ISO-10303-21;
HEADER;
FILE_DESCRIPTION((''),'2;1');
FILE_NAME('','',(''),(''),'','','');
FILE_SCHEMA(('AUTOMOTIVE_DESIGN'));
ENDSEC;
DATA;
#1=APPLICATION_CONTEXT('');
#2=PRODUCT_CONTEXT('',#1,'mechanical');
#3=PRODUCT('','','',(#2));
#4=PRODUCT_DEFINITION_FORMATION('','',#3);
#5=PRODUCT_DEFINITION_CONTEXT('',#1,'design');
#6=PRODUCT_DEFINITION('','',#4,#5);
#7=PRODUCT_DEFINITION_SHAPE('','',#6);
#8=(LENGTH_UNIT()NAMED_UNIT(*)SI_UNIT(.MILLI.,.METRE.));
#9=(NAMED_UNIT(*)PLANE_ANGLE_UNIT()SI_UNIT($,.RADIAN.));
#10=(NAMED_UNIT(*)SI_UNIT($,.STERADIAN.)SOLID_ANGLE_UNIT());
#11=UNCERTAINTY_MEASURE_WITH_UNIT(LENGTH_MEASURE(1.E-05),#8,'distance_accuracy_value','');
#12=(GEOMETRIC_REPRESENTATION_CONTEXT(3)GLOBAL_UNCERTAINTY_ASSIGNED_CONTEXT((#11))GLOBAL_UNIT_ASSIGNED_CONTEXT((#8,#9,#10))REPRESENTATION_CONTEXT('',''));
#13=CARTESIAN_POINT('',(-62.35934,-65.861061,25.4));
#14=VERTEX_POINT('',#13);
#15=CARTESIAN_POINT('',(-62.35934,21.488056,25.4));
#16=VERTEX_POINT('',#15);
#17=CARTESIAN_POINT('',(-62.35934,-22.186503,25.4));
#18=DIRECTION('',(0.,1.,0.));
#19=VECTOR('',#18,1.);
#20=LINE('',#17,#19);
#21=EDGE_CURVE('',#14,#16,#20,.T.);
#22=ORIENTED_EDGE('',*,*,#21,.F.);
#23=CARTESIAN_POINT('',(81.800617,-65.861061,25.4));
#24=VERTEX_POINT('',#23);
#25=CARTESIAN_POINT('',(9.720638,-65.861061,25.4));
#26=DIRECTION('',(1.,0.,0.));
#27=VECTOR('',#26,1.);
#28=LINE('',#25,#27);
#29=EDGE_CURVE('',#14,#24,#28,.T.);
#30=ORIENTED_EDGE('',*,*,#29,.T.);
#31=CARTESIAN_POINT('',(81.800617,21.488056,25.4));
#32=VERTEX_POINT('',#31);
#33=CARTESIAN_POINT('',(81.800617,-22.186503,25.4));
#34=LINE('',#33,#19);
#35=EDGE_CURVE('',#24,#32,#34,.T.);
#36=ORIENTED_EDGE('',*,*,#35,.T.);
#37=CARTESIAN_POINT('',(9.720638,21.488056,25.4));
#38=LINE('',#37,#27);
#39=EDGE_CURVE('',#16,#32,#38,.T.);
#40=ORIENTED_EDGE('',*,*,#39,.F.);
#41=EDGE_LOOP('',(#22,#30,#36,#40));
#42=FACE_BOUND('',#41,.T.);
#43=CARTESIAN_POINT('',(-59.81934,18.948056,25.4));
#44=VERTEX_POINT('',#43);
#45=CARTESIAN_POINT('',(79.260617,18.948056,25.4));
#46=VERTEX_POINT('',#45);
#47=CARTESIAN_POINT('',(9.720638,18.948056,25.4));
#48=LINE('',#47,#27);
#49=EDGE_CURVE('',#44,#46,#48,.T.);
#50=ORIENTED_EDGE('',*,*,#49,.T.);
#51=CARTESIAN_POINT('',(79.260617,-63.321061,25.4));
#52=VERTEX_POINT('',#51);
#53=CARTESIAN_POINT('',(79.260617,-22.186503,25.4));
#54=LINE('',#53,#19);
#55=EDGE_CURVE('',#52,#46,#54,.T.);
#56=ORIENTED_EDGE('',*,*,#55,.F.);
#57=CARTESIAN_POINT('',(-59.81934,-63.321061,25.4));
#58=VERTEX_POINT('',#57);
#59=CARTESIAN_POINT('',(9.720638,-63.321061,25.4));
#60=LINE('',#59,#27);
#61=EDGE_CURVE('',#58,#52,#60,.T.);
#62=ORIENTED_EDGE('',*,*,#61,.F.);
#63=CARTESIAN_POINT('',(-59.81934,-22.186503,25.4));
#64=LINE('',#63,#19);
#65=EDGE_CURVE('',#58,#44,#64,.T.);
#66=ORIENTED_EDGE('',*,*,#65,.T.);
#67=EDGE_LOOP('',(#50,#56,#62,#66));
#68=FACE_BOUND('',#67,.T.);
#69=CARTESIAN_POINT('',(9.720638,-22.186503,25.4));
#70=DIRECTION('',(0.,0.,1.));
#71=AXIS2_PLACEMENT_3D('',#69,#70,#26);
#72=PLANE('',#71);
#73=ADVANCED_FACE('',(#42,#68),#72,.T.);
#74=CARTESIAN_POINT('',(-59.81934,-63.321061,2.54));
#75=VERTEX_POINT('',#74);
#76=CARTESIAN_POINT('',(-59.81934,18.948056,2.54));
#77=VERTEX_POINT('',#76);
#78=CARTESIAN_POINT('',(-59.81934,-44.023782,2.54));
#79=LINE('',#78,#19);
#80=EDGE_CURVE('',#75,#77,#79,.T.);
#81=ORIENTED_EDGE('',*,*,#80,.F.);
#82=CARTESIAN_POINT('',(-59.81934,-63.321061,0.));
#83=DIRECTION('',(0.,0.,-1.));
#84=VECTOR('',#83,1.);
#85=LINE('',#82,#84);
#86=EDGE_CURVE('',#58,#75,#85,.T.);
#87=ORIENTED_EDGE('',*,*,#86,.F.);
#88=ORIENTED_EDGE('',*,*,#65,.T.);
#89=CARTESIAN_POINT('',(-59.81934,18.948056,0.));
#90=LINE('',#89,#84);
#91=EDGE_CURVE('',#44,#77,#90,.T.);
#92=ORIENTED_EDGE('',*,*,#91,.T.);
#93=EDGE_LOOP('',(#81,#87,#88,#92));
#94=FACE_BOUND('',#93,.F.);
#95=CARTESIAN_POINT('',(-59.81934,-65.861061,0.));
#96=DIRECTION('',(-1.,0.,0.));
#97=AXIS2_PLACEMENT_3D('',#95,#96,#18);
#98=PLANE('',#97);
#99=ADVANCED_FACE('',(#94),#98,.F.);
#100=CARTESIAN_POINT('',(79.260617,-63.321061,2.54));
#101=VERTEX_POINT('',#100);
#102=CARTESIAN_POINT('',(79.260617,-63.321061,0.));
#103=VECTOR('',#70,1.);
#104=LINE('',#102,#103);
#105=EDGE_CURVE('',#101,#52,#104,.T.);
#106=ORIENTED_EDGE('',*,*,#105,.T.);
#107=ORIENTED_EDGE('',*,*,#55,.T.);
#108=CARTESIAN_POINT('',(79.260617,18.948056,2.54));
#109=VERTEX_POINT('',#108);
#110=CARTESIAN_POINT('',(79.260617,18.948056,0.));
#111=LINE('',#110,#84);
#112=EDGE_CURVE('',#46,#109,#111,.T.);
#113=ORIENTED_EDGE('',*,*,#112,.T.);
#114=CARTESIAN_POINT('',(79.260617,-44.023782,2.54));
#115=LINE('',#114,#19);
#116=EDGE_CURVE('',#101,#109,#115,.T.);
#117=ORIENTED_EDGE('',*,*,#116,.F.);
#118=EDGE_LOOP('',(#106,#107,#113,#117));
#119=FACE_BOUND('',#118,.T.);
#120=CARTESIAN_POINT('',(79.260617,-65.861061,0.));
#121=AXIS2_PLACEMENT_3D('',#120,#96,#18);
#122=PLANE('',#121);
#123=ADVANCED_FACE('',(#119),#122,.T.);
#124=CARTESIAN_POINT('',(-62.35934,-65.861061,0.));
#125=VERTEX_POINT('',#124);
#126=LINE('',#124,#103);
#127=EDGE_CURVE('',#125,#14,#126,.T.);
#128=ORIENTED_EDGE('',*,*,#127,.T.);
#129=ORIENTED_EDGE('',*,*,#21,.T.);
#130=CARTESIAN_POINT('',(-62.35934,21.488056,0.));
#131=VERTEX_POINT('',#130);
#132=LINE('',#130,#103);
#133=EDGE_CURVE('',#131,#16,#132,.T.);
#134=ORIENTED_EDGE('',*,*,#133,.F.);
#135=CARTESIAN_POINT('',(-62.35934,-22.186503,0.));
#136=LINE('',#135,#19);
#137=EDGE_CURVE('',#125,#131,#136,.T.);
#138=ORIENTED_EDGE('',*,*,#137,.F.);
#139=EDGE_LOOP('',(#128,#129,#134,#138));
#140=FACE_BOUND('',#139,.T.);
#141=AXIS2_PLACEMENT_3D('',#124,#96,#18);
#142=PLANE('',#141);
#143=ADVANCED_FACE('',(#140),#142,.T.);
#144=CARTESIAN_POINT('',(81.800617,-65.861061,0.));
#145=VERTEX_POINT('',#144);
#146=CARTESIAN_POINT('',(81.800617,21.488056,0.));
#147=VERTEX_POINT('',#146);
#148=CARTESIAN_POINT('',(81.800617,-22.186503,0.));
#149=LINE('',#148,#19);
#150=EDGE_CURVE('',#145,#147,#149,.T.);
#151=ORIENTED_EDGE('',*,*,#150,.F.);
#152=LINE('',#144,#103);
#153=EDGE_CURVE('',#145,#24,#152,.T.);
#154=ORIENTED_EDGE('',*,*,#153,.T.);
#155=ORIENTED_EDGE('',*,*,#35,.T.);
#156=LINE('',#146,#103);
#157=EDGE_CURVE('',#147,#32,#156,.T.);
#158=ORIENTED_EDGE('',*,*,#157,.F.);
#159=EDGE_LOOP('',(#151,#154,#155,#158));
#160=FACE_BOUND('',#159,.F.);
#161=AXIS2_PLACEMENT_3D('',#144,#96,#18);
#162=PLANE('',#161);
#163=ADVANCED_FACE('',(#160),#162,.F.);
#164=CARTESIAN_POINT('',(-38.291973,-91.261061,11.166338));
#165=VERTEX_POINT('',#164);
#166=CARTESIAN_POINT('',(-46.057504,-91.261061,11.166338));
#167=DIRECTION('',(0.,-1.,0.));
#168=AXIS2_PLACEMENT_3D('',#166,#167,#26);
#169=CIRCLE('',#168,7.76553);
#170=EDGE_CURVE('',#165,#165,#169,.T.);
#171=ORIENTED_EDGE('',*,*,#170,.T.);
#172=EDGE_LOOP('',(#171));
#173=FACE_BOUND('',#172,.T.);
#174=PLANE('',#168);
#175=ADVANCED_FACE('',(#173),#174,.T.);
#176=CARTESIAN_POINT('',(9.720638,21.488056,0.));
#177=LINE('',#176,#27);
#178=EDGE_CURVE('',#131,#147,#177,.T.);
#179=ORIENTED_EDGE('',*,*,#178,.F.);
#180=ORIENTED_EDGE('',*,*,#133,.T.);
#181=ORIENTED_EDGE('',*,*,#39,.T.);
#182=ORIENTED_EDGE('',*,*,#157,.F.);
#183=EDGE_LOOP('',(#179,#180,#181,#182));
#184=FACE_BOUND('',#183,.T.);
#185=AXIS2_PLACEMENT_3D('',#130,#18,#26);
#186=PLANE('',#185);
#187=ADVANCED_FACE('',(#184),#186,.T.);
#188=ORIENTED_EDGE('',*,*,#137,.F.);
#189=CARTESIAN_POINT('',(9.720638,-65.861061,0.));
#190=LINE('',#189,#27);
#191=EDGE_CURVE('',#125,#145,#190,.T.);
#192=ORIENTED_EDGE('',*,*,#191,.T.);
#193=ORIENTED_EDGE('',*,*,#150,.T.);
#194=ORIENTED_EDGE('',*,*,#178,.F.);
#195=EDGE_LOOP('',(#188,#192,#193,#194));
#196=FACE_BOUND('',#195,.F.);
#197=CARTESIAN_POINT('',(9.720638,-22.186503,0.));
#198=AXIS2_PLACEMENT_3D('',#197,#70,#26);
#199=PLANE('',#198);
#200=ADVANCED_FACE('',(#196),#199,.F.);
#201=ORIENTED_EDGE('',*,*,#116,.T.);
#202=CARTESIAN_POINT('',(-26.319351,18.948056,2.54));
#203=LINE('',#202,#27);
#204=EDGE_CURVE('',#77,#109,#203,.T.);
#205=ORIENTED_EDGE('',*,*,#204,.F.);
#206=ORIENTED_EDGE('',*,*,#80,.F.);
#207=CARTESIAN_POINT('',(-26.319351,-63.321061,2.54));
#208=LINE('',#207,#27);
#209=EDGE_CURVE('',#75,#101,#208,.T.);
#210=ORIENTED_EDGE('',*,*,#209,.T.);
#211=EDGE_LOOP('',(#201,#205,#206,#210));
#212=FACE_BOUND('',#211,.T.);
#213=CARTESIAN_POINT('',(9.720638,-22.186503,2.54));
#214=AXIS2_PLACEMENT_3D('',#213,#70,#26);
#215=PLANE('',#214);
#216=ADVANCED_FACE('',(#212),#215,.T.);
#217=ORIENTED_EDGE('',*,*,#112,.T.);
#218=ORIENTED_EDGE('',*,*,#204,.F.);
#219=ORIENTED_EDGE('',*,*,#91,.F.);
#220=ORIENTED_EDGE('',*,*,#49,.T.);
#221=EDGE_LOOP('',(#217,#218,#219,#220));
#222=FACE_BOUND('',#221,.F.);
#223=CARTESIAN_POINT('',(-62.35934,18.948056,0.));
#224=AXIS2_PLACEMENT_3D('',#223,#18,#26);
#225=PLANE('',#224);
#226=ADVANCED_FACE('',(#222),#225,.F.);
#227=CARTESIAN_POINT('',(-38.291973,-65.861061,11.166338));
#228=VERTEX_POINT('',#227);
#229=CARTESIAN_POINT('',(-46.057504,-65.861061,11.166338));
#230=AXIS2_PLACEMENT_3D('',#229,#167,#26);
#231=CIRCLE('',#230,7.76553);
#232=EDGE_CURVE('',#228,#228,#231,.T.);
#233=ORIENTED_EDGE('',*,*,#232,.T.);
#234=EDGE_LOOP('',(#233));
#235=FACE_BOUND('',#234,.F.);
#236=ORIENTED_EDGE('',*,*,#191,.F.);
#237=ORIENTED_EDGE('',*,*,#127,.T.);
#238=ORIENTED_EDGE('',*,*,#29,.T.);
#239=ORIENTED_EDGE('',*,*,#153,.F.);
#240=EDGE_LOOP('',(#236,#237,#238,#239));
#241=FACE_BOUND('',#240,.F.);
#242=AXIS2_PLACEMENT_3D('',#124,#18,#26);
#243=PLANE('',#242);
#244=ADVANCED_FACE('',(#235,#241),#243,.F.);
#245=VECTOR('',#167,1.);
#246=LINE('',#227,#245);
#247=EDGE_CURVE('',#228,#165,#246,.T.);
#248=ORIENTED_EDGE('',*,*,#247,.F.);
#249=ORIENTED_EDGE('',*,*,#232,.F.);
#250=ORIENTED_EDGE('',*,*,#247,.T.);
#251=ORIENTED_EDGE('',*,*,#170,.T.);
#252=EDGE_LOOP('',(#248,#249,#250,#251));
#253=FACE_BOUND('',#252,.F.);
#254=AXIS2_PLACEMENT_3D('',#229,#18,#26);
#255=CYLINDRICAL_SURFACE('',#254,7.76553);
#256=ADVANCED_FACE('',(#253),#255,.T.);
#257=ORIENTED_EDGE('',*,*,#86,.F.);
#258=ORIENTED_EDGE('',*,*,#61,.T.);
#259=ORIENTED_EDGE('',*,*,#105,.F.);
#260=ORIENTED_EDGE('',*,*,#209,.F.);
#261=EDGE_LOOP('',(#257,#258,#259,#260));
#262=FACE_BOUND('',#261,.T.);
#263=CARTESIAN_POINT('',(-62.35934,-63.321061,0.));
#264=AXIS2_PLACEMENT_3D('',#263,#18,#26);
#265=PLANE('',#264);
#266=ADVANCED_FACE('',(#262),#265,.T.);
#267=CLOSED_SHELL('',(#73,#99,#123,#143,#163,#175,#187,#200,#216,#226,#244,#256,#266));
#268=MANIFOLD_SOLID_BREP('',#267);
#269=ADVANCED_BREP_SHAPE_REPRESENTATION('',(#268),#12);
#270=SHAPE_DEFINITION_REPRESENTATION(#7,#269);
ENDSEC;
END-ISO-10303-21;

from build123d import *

# Parameters (mm, degrees)
F0_W     = 144.1599577665
F0_H     = 87.3491168022
F1_DEPTH = 25.4
F2_T     = -2.54
F3_R     = 7.7655304072
F4_DEPTH = 25.4


with BuildPart() as f1:
    # F0 (on Top) → F1 (new body)
    with BuildSketch(Plane.XY):
        with Locations((9.7206383944, -22.1865028143)):
            Rectangle(F0_W, F0_H)
    extrude(amount=F1_DEPTH)

    # F2
    f2_openings = [f1.faces().sort_by_distance(p)[0] for p in [
        (9.720638, -22.186503, 25.4),
    ]]
    offset(amount=F2_T, openings=f2_openings)

    # F3 (on face) → F4 (join)
    with BuildSketch(Plane.XZ.offset(65.8610612154)):
        with Locations((-46.0575036705, 11.1663378775)):
            Circle(F3_R)
    extrude(amount=F4_DEPTH)


solid = f1.part
